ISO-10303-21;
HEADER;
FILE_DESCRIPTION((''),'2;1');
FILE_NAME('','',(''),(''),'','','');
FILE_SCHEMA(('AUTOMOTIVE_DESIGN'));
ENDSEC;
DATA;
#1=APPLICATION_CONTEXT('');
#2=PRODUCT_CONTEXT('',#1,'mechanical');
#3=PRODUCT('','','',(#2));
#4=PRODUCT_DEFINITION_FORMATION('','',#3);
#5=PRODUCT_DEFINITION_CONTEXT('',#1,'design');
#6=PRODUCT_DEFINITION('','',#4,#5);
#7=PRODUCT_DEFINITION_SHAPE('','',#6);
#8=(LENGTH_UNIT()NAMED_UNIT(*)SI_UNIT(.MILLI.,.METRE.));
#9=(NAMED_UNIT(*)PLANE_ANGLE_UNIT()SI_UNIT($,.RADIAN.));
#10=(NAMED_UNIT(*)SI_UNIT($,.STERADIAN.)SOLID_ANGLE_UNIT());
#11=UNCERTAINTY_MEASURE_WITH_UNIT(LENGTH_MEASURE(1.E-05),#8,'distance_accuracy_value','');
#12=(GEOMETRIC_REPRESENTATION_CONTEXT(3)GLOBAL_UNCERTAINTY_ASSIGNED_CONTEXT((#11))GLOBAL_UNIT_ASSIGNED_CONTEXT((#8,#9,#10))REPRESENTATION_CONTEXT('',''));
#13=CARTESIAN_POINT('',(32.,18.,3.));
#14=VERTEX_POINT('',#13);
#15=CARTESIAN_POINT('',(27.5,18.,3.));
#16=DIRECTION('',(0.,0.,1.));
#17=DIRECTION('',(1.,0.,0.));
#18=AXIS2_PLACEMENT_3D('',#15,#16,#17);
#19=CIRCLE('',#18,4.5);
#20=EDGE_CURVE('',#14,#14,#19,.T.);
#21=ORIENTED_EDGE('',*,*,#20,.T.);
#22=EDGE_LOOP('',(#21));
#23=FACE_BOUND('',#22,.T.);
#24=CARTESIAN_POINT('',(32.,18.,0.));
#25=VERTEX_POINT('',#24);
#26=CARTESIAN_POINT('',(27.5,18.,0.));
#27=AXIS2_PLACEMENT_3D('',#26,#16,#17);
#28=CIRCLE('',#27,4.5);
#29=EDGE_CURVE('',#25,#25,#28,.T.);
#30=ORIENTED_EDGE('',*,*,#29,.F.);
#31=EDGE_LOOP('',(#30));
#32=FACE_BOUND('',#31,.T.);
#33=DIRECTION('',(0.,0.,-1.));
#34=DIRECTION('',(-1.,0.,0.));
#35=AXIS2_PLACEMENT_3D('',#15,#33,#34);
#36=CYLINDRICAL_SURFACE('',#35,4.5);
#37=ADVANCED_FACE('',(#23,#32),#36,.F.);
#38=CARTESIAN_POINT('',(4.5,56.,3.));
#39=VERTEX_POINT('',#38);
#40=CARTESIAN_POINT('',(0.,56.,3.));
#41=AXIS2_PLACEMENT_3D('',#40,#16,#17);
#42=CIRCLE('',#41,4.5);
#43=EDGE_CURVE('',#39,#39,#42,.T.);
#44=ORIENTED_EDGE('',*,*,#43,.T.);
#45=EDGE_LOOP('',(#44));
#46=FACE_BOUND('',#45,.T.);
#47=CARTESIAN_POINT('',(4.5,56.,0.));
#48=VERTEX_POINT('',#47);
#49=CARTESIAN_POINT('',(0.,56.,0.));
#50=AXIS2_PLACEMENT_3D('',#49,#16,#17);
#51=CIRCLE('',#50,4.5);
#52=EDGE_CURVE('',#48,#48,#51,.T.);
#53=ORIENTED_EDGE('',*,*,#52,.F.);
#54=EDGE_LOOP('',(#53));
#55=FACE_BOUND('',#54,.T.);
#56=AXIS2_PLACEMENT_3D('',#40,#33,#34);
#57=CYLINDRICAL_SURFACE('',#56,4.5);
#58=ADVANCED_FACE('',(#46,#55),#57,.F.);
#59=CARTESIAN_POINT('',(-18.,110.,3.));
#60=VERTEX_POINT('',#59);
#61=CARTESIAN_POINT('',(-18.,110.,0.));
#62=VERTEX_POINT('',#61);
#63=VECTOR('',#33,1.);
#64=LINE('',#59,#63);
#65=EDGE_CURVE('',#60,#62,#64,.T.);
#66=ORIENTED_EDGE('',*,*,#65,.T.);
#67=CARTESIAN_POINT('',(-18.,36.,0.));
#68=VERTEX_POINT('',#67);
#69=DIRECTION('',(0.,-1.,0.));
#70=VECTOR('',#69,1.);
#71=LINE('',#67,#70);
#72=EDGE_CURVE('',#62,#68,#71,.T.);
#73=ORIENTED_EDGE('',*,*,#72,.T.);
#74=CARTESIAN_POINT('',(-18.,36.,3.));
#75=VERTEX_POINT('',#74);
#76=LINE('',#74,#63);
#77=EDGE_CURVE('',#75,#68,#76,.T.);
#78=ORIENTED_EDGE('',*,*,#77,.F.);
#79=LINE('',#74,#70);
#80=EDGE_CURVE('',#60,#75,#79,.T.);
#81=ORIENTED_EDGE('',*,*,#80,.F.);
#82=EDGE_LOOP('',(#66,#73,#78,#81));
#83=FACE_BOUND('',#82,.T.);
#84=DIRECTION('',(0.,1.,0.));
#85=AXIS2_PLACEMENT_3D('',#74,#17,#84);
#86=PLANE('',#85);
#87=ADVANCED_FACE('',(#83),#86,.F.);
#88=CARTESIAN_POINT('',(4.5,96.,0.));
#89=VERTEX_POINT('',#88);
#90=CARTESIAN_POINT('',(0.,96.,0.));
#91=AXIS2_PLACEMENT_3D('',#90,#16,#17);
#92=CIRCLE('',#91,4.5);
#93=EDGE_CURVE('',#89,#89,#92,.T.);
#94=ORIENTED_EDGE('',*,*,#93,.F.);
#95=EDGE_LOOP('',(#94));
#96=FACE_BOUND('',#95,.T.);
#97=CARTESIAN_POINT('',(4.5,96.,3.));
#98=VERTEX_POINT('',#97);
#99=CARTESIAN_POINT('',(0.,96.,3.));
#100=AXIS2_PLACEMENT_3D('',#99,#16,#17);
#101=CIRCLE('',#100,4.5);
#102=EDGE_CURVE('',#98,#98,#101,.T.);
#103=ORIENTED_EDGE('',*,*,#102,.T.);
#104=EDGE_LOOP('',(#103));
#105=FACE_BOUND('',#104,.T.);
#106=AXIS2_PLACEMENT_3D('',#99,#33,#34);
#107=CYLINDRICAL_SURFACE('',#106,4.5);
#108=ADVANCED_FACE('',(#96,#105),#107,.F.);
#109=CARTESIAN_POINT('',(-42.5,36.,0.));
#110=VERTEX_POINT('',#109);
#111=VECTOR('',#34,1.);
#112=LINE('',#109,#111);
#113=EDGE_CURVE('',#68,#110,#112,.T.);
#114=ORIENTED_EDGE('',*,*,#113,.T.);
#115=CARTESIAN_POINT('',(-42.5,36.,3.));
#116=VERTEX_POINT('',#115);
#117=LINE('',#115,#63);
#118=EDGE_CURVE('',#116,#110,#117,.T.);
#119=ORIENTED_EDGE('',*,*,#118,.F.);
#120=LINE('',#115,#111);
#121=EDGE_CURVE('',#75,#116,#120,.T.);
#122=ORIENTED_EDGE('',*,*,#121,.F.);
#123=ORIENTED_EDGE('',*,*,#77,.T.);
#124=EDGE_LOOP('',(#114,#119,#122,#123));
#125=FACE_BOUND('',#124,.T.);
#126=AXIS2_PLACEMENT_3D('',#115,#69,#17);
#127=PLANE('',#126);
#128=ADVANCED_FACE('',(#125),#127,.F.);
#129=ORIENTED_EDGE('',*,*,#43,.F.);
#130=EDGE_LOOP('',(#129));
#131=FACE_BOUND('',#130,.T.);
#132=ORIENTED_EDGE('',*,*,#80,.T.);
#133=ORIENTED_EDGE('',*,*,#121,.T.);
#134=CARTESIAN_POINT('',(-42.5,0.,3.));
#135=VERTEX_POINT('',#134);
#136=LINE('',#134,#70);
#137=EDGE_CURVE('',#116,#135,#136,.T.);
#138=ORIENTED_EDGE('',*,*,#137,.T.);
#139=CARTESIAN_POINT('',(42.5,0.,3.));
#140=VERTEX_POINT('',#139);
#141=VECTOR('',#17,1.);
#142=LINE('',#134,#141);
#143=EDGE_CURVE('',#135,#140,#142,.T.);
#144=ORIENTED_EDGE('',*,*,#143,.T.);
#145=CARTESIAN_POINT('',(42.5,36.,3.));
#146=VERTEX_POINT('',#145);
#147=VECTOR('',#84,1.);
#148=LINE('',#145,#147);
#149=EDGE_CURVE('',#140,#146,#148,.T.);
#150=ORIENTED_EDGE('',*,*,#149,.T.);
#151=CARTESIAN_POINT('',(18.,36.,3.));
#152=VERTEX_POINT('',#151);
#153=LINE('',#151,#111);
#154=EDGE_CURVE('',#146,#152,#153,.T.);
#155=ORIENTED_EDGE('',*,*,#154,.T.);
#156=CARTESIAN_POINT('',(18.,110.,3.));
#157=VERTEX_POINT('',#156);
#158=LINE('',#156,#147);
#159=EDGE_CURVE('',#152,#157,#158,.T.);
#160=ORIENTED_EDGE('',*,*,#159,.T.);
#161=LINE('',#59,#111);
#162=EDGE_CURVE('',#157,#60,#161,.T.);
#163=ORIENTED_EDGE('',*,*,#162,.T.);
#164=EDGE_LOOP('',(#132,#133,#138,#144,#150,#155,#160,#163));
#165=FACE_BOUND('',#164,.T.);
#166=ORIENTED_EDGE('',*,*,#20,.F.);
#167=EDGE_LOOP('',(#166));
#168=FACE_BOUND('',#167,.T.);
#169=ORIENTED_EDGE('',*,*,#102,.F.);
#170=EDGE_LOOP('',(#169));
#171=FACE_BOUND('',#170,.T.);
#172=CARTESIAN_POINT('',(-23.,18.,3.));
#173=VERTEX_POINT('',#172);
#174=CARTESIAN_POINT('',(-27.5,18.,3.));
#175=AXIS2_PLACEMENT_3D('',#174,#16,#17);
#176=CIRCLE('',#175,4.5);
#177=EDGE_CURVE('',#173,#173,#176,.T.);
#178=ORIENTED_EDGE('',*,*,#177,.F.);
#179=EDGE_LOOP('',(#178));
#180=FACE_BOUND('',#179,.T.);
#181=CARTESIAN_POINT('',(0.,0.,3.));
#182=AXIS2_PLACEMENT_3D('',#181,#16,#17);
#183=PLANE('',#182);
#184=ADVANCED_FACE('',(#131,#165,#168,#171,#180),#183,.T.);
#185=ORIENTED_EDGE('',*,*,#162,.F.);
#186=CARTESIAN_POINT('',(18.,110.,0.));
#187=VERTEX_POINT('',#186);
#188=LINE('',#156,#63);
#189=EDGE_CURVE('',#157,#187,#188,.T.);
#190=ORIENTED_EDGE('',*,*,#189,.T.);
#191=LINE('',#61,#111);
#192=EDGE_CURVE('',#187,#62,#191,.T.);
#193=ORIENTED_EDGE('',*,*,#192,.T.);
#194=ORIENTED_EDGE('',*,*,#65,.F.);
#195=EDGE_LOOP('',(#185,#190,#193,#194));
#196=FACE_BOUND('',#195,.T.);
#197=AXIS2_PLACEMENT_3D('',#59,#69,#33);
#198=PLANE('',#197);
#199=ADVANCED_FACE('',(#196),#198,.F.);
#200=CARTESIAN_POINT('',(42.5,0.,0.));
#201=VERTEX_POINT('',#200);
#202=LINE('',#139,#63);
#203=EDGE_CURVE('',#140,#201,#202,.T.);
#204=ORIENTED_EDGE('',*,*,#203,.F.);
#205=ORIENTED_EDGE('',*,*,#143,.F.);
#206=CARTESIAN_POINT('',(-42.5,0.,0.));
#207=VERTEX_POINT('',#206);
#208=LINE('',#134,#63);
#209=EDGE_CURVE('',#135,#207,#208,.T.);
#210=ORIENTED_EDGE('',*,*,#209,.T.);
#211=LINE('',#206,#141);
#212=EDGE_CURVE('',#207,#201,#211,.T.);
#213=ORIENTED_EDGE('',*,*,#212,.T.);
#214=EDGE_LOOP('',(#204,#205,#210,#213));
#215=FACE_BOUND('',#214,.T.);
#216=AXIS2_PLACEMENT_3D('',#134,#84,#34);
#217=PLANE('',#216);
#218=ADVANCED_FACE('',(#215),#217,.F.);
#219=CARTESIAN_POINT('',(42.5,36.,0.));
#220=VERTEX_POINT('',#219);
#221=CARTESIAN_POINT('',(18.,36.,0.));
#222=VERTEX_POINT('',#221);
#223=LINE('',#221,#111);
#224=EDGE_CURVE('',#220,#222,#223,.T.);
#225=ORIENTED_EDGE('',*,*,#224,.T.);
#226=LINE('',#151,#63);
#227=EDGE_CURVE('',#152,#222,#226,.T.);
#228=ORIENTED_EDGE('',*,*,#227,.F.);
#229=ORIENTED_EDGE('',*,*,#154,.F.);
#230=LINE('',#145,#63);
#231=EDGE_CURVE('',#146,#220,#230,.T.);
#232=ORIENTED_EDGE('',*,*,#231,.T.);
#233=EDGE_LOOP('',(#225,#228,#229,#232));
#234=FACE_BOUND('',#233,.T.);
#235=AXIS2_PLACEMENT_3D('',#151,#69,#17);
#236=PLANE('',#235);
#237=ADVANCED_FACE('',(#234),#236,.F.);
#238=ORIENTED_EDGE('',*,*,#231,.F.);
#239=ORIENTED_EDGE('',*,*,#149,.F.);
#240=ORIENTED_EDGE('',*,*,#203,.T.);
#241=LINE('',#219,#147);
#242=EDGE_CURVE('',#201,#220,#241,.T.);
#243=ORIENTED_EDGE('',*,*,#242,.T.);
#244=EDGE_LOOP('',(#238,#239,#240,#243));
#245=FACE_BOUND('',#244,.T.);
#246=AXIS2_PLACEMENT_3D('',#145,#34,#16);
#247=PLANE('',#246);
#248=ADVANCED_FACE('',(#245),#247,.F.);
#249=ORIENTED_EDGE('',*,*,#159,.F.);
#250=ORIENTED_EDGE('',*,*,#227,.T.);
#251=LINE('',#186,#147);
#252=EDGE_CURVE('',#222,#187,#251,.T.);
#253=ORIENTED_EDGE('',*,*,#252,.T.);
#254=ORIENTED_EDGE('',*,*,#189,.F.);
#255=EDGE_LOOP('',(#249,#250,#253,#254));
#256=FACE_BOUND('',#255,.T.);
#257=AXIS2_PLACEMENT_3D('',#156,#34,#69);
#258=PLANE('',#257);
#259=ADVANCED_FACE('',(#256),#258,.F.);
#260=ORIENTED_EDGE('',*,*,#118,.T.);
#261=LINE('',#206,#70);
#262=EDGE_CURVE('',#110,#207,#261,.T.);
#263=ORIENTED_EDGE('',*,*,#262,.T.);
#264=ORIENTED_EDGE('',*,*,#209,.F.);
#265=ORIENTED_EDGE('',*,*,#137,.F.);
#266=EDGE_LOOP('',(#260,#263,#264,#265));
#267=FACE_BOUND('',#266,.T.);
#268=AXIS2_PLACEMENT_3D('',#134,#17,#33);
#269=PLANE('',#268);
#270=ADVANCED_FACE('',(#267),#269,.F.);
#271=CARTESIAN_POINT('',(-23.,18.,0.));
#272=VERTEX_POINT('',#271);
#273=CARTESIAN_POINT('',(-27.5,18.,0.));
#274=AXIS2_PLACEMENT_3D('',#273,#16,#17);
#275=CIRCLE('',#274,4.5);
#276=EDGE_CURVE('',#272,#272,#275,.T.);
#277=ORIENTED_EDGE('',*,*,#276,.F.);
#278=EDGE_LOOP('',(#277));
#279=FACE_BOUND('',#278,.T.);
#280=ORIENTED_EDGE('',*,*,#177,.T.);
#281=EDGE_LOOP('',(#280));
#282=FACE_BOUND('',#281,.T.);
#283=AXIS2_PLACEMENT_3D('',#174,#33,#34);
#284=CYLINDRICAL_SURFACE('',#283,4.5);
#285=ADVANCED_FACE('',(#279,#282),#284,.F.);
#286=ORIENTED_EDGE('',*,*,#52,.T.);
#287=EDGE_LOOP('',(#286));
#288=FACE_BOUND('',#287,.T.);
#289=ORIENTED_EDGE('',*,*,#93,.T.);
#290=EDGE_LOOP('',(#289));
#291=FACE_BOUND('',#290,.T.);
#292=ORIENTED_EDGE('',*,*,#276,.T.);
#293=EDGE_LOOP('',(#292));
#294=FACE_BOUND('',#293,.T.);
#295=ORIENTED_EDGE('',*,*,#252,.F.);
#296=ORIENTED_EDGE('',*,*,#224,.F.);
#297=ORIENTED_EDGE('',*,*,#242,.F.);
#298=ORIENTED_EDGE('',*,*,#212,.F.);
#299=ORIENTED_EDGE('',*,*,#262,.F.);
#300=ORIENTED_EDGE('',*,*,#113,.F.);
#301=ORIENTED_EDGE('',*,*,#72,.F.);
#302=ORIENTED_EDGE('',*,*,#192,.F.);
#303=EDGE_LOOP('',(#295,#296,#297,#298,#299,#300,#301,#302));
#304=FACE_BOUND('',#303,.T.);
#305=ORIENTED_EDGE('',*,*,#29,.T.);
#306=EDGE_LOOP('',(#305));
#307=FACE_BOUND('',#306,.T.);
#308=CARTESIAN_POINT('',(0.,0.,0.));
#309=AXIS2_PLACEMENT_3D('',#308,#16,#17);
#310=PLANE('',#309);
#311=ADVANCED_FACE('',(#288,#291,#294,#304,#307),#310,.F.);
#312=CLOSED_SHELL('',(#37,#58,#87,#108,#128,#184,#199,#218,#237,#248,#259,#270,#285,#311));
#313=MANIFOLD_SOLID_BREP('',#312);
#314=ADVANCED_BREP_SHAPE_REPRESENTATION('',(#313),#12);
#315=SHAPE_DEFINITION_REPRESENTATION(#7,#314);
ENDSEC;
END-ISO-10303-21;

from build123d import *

# Parameters (mm, degrees)
SKETCH_1_R      = 4.5
EXTRUDE_1_DEPTH = 3


with BuildPart() as part:
    # Эскиз1 → Бобышка-Вытянуть1 (new body)
    with BuildSketch(Plane.XY):
        Polygon((-42.5, 0), (42.5, 0), (42.5, 36), (18, 36), (18, 110), (-18, 110), (-18, 36), (-42.5, 36), align=None)
        with Locations((0, 96)):
            Circle(SKETCH_1_R, mode=Mode.SUBTRACT)
        with Locations((0, 56)):
            Circle(SKETCH_1_R, mode=Mode.SUBTRACT)
        with Locations((-27.5, 18)):
            Circle(SKETCH_1_R, mode=Mode.SUBTRACT)
        with Locations((27.5, 18)):
            Circle(SKETCH_1_R, mode=Mode.SUBTRACT)
    extrude(amount=EXTRUDE_1_DEPTH)


solid = part.part
